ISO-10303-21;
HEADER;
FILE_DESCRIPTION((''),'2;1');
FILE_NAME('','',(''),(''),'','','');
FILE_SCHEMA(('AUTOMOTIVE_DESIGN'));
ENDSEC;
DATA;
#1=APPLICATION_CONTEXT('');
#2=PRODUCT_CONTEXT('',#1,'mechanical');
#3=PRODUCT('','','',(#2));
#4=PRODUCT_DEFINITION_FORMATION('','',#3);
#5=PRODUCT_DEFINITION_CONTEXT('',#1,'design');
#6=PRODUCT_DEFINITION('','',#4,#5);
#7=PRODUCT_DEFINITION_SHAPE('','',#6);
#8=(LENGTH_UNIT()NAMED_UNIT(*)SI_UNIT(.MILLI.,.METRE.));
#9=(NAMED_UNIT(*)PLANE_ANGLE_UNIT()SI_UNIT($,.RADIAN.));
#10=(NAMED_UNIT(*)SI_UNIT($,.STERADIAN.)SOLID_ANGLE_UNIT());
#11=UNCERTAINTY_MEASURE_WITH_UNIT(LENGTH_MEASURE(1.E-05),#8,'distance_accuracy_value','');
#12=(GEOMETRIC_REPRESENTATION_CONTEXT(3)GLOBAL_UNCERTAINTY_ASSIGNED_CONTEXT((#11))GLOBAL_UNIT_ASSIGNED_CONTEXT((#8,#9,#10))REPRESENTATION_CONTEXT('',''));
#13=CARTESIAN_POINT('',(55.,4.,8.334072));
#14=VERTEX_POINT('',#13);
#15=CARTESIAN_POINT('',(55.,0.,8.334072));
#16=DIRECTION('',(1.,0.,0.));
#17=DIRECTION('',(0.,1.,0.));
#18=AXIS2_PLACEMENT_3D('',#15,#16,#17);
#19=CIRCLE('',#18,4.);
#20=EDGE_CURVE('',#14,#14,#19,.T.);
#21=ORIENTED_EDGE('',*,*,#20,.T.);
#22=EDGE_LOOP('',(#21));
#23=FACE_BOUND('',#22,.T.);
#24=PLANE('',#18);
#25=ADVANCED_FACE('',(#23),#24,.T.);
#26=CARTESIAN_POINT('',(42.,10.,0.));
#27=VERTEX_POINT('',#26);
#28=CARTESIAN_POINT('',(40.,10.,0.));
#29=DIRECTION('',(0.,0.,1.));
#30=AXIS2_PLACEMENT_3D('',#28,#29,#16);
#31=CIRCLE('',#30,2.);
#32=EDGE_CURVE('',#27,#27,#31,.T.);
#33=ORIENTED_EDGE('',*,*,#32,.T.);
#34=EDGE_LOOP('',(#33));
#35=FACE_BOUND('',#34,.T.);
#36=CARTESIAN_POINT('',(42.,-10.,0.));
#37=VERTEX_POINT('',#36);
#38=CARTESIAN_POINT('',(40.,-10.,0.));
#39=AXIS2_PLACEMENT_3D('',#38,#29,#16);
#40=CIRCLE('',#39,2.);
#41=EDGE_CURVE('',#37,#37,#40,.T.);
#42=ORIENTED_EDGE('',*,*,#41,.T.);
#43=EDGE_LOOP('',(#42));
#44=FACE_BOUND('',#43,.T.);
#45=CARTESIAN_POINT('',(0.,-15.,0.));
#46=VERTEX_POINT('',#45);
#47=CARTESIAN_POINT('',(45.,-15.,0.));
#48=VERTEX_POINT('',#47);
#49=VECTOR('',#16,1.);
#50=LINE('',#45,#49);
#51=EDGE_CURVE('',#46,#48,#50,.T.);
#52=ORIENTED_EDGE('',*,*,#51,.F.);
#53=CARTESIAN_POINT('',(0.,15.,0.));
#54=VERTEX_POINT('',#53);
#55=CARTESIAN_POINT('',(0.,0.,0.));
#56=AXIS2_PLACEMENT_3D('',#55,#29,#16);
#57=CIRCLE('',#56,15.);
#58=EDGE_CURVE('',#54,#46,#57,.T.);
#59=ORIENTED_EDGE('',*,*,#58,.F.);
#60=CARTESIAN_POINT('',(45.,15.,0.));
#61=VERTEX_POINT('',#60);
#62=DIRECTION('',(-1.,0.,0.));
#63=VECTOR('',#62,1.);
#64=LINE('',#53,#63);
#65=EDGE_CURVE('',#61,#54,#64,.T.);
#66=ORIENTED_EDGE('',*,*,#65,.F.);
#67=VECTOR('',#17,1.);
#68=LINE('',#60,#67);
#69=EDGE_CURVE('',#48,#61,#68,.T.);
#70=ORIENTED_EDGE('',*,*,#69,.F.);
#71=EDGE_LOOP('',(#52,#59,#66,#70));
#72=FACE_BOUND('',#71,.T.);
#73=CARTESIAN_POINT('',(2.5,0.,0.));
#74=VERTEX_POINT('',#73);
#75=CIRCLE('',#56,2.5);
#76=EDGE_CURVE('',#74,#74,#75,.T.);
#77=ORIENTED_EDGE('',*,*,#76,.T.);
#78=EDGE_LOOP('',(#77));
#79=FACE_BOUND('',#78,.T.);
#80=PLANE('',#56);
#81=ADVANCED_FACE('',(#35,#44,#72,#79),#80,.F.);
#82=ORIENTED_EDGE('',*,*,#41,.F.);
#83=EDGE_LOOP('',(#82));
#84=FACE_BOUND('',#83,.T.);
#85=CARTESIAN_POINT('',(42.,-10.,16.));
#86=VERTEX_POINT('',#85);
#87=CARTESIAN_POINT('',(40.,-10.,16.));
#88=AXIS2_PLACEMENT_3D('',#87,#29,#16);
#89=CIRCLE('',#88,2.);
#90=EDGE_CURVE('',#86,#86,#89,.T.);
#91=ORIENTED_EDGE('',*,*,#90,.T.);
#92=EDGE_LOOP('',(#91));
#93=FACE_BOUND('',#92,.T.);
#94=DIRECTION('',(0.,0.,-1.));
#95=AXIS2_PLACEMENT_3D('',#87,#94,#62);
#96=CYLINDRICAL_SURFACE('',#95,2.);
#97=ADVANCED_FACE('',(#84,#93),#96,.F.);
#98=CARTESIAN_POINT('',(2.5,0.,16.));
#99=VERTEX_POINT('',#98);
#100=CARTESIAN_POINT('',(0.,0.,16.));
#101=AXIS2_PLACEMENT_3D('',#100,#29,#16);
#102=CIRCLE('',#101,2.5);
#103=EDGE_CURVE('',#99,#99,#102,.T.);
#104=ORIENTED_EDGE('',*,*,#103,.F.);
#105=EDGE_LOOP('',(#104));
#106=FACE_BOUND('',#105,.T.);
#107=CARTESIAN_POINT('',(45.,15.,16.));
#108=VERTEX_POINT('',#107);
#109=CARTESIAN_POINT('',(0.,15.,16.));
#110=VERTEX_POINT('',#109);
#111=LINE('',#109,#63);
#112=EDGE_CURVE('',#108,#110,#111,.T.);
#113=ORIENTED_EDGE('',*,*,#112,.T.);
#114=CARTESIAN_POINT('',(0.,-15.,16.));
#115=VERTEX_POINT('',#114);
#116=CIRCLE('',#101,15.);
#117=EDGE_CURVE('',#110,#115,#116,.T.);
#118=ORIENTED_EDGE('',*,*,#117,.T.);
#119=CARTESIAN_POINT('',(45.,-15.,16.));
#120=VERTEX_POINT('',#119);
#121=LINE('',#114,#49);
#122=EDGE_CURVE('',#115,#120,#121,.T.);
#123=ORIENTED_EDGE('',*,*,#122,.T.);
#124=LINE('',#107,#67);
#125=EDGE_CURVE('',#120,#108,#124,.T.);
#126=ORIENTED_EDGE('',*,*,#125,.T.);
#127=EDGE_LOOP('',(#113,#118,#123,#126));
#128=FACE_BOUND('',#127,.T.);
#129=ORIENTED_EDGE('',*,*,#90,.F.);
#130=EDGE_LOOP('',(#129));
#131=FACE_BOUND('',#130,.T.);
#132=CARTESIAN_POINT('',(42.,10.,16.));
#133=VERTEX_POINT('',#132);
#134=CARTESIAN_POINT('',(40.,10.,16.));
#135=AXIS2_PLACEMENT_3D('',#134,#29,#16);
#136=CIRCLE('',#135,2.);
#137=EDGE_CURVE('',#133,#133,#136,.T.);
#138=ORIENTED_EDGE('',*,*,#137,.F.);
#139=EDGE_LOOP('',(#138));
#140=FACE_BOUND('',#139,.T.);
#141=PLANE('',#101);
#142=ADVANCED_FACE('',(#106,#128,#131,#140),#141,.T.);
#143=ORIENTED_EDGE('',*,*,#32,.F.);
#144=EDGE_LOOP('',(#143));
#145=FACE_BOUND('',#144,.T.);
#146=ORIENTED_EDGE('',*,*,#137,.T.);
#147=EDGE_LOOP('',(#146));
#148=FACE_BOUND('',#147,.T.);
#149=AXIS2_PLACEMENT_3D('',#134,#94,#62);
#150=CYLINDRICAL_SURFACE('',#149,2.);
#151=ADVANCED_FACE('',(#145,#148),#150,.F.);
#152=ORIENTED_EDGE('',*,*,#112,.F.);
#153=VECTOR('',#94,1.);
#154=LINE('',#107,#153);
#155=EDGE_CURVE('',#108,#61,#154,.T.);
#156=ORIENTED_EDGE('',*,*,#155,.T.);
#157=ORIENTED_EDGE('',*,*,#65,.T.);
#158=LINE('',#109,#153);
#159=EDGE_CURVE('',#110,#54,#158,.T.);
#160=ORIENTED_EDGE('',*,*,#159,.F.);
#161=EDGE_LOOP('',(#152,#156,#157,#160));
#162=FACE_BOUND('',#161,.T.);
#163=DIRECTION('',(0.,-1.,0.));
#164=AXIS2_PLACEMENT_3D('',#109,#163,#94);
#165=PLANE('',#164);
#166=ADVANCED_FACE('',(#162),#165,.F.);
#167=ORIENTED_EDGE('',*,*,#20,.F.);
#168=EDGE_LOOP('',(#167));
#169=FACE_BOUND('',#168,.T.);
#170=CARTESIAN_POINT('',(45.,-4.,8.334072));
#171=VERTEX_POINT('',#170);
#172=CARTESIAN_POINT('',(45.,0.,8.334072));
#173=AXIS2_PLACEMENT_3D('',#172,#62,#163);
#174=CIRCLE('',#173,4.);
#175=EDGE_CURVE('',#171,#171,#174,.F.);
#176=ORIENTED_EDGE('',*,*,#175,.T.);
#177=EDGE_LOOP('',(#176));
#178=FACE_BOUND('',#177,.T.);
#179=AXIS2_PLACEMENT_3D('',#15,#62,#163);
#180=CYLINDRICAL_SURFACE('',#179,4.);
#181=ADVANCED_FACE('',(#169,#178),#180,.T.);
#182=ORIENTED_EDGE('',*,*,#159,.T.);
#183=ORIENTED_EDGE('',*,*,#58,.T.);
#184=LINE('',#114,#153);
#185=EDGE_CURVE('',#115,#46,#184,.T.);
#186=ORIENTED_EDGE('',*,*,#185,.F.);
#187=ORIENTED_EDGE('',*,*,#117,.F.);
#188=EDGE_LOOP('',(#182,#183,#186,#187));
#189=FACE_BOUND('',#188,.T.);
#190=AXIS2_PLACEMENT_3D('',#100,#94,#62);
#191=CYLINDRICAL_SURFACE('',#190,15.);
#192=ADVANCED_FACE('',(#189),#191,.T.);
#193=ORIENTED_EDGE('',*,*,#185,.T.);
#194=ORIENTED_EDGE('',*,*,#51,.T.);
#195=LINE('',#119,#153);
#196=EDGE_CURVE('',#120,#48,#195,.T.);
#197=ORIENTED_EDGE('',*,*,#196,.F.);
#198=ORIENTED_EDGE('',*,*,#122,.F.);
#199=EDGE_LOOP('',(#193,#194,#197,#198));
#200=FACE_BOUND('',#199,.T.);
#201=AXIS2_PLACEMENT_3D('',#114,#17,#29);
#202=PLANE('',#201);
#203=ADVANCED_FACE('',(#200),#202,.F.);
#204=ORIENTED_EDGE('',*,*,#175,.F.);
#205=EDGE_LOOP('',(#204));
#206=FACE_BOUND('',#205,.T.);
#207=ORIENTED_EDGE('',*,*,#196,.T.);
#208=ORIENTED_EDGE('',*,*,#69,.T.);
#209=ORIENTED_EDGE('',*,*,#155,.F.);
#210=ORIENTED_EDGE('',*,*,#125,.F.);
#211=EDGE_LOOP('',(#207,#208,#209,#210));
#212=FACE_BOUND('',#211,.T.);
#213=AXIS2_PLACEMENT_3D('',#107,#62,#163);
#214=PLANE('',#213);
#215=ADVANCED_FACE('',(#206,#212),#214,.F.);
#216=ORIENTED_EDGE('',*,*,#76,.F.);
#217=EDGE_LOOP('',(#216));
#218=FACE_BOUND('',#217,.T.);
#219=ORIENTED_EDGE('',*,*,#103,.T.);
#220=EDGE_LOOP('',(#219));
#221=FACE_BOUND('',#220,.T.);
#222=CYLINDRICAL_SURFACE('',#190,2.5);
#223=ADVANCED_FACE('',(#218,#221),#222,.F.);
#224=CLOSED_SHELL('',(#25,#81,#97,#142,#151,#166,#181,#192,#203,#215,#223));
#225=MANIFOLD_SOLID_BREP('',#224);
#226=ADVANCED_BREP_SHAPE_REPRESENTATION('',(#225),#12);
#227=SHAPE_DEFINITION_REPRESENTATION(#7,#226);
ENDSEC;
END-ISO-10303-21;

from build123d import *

# Parameters (mm, degrees)
SKETCH1_R           = 2
SKETCH1_R_2         = 2.5
BOSS_EXTRUDE1_DEPTH = 16
SKETCH2_R           = 4
BOSS_EXTRUDE2_DEPTH = 10


with BuildPart() as part:
    # Sketch1 → Boss-Extrude1 (new body)
    with BuildSketch(Plane.XY):
        with BuildLine():
            Line((0, 15), (45, 15))
            Line((45, 15), (45, -15))
            Line((45, -15), (0, -15))
            ThreePointArc((0, -15), (-15, 0), (0, 15))
        make_face()
        with Locations((40, 10)):
            Circle(SKETCH1_R, mode=Mode.SUBTRACT)
        with Locations((40, -10)):
            Circle(SKETCH1_R, mode=Mode.SUBTRACT)
        Circle(SKETCH1_R_2, mode=Mode.SUBTRACT)
    extrude(amount=BOSS_EXTRUDE1_DEPTH)

    # Sketch2 → Boss-Extrude2 (add)
    with BuildSketch(Plane(origin=(45, 0, 0), x_dir=(0, 0, -1), z_dir=(1, 0, 0))):
        with Locations(Location((-8.334071627, 0, 0), (0, 0, 270))):
            Circle(SKETCH2_R)
    extrude(amount=BOSS_EXTRUDE2_DEPTH)


solid = part.part
